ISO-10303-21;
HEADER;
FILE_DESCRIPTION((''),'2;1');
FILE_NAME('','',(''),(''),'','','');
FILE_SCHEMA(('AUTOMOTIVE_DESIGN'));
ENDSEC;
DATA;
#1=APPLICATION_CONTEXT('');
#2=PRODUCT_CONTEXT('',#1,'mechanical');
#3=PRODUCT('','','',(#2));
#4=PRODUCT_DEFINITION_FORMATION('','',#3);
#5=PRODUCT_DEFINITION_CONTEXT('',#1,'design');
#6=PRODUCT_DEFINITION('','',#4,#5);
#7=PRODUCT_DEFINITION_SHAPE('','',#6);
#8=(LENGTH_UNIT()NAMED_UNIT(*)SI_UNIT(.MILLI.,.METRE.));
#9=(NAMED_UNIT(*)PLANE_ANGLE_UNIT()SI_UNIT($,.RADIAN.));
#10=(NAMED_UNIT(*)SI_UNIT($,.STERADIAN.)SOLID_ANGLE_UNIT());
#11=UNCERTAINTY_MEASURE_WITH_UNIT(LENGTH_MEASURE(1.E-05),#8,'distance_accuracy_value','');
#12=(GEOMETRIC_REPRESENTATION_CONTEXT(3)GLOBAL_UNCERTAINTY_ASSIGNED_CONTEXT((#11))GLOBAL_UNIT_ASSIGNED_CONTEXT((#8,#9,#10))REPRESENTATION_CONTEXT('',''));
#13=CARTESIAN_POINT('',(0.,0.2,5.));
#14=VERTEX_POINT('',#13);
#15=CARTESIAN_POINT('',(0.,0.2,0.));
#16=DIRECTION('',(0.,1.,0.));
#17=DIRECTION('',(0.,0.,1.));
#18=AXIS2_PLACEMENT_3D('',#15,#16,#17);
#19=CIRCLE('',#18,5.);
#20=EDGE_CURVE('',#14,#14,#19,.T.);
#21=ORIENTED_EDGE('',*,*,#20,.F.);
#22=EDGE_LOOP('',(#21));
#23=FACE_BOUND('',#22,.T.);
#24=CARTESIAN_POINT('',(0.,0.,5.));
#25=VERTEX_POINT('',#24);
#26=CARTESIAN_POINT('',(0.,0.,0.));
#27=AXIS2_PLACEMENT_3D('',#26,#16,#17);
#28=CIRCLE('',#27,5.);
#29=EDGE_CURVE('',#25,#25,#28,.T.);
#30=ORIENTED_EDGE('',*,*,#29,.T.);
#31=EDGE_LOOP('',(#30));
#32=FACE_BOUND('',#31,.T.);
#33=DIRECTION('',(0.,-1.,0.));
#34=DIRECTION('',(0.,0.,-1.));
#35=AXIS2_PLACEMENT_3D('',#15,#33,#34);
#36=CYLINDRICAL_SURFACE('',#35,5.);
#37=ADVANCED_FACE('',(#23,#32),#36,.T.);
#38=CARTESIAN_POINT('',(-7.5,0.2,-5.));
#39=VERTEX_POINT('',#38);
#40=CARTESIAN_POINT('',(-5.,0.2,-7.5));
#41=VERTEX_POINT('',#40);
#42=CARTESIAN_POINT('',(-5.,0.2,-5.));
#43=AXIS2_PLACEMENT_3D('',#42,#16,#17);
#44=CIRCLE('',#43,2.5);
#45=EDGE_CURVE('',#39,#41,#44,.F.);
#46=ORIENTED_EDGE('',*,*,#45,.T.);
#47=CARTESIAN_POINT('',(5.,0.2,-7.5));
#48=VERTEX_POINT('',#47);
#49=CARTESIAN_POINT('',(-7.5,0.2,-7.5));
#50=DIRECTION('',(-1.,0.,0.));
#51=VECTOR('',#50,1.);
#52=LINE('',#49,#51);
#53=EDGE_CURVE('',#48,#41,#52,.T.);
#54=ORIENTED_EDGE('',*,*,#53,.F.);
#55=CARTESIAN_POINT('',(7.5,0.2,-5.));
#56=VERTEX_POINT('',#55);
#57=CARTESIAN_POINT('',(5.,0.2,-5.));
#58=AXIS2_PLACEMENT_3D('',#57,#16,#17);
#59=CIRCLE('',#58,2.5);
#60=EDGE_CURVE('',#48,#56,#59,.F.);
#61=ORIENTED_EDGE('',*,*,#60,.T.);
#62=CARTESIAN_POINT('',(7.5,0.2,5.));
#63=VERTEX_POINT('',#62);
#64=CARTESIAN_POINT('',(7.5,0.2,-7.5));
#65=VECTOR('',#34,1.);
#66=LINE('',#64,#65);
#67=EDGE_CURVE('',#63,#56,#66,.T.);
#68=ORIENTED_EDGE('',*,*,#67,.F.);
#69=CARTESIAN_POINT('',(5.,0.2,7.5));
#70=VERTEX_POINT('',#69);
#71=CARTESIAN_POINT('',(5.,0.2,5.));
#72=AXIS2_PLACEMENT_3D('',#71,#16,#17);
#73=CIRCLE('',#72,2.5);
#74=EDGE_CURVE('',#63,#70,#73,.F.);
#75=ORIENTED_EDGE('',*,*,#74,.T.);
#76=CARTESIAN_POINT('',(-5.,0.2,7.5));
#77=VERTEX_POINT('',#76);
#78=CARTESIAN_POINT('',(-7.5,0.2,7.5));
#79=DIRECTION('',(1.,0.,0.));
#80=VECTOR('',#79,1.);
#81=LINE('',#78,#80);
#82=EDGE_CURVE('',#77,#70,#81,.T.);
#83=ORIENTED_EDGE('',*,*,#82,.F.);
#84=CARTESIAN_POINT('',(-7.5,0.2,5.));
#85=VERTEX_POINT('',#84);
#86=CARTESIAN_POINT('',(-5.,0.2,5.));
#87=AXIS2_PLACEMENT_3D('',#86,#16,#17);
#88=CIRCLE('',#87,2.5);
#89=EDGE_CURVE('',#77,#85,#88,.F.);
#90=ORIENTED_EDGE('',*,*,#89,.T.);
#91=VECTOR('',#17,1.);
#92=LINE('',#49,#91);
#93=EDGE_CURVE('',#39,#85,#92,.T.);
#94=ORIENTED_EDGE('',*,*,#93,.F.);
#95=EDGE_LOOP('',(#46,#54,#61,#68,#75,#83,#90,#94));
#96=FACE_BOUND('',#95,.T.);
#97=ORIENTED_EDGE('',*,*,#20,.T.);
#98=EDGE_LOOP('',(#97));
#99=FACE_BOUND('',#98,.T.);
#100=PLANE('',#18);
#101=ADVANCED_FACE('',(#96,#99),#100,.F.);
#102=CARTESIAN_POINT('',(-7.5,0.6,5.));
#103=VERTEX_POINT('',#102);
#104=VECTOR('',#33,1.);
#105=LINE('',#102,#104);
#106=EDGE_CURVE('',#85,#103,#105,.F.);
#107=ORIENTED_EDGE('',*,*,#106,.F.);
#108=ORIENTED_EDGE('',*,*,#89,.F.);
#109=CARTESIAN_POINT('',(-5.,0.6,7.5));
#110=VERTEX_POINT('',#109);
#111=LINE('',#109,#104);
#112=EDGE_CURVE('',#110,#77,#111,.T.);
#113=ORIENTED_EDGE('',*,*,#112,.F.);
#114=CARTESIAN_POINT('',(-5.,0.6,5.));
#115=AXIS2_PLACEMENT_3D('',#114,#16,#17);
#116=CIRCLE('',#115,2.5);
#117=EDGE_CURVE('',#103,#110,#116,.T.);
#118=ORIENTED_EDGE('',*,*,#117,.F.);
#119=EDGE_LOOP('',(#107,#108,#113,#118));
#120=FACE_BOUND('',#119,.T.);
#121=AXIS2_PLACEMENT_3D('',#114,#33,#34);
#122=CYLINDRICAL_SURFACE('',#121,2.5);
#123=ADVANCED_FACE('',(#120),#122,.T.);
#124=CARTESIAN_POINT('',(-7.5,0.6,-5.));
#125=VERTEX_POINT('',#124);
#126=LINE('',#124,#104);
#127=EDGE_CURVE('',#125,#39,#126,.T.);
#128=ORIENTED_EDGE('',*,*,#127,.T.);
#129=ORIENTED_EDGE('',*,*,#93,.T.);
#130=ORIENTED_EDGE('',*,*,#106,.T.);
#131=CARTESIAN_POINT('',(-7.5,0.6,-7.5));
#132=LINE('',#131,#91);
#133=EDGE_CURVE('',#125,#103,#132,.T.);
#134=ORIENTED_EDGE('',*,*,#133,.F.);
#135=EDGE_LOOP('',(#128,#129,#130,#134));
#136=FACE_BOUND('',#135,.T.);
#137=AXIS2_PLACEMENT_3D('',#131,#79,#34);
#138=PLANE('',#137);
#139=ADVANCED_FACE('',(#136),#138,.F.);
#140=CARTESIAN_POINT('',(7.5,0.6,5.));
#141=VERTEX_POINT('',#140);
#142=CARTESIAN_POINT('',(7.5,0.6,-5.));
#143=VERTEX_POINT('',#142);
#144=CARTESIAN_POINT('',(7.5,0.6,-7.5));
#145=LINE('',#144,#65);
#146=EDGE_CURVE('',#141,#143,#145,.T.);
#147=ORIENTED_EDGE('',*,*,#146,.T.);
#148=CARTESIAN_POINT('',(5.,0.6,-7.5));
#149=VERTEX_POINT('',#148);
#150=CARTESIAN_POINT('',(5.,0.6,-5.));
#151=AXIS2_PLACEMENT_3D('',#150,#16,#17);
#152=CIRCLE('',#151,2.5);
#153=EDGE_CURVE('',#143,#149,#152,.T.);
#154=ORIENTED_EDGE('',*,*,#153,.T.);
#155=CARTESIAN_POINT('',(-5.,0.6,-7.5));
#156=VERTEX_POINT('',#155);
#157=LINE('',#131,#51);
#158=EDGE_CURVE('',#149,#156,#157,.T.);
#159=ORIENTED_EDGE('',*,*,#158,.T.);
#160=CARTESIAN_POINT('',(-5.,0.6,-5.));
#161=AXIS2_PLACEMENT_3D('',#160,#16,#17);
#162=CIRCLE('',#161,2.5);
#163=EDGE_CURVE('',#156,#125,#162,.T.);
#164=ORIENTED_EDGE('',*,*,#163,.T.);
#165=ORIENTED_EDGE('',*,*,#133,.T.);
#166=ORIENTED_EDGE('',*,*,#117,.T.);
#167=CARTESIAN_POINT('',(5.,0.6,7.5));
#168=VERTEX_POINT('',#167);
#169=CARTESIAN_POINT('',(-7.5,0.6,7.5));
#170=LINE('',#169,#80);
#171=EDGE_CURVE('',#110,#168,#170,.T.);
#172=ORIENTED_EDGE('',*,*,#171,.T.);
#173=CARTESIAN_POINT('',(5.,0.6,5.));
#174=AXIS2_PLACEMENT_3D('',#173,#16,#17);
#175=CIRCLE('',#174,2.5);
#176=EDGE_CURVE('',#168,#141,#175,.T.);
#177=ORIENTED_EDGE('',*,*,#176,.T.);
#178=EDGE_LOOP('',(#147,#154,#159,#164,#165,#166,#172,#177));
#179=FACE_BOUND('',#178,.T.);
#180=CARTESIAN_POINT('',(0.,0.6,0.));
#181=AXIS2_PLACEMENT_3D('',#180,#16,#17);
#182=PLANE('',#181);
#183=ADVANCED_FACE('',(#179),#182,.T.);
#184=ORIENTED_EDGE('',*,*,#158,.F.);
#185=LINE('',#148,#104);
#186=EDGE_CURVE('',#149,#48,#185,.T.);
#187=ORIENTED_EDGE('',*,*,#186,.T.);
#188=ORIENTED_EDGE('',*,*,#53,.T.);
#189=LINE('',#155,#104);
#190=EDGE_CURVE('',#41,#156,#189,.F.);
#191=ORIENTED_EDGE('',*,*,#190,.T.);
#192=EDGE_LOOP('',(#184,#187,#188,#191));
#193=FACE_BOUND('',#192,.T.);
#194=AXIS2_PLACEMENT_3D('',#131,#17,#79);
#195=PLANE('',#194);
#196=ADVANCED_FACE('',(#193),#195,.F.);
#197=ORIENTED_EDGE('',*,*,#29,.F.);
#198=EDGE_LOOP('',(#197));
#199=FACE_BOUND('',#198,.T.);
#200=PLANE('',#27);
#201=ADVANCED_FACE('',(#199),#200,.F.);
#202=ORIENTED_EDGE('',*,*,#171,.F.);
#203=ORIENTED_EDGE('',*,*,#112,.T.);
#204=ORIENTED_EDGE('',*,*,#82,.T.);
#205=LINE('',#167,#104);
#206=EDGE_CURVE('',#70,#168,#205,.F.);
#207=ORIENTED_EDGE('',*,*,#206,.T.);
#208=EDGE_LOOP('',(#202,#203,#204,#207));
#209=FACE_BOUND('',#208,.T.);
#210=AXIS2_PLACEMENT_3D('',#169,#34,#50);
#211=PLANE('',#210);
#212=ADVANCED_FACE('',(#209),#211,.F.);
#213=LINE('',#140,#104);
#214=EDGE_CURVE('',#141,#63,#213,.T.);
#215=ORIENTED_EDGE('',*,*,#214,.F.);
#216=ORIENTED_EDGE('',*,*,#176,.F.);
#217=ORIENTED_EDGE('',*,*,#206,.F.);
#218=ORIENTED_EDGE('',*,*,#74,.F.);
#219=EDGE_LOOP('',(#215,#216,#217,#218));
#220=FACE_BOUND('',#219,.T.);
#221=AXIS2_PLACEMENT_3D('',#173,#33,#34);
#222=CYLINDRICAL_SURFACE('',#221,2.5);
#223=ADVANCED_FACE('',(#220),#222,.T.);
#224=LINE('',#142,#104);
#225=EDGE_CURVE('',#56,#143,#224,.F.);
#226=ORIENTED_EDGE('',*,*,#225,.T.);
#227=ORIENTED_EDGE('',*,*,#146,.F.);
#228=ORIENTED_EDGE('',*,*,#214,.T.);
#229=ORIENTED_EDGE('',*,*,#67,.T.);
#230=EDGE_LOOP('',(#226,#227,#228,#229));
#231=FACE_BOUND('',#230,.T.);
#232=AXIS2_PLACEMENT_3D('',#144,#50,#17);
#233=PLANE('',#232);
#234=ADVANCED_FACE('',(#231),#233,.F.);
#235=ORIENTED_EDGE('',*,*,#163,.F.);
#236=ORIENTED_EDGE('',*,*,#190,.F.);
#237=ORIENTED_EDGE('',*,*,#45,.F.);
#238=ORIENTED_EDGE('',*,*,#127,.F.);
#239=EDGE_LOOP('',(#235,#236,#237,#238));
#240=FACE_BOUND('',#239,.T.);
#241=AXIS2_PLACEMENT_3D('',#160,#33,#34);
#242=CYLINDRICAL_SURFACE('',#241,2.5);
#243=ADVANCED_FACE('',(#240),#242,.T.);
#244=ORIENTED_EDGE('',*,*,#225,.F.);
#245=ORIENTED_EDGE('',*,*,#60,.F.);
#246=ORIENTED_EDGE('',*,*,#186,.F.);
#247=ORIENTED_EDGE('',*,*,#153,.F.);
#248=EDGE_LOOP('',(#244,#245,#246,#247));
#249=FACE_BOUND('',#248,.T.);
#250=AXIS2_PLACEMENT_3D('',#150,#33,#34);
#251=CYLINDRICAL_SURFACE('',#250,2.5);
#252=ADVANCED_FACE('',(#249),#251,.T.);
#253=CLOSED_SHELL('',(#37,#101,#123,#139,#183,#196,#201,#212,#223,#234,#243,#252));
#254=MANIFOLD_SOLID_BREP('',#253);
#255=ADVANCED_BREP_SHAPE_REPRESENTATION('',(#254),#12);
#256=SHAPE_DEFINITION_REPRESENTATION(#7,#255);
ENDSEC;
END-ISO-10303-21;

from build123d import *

# Parameters (mm, degrees)
SKETCH1_R           = 5
BOSS_EXTRUDE1_DEPTH = 0.2
SKETCH2_W           = 15
SKETCH2_H           = 15
BOSS_EXTRUDE2_DEPTH = 0.4
FILLET1_R           = 2.5


with BuildPart() as part:
    # Sketch1 → Boss-Extrude1 (new body)
    with BuildSketch(Plane(origin=(0, 0, 0), x_dir=(1, 0, 0), z_dir=(0, 1, 0))):
        Circle(SKETCH1_R)
    extrude(amount=BOSS_EXTRUDE1_DEPTH)

    # Sketch2 → Boss-Extrude2 (add)
    with BuildSketch(Plane(origin=(0, 0.2, 0), x_dir=(1, 0, 0), z_dir=(0, 1, 0))):
        Rectangle(SKETCH2_W, SKETCH2_H)
    extrude(amount=BOSS_EXTRUDE2_DEPTH)

    # Fillet1
    fillet1_edges = [part.edges().sort_by_distance(p)[0] for p in [
        (7.5, 0.4, 7.5),
        (7.5, 0.4, -7.5),
        (-7.5, 0.4, -7.5),
        (-7.5, 0.4, 7.5),
    ]]
    fillet(fillet1_edges, radius=FILLET1_R)


solid = part.part
